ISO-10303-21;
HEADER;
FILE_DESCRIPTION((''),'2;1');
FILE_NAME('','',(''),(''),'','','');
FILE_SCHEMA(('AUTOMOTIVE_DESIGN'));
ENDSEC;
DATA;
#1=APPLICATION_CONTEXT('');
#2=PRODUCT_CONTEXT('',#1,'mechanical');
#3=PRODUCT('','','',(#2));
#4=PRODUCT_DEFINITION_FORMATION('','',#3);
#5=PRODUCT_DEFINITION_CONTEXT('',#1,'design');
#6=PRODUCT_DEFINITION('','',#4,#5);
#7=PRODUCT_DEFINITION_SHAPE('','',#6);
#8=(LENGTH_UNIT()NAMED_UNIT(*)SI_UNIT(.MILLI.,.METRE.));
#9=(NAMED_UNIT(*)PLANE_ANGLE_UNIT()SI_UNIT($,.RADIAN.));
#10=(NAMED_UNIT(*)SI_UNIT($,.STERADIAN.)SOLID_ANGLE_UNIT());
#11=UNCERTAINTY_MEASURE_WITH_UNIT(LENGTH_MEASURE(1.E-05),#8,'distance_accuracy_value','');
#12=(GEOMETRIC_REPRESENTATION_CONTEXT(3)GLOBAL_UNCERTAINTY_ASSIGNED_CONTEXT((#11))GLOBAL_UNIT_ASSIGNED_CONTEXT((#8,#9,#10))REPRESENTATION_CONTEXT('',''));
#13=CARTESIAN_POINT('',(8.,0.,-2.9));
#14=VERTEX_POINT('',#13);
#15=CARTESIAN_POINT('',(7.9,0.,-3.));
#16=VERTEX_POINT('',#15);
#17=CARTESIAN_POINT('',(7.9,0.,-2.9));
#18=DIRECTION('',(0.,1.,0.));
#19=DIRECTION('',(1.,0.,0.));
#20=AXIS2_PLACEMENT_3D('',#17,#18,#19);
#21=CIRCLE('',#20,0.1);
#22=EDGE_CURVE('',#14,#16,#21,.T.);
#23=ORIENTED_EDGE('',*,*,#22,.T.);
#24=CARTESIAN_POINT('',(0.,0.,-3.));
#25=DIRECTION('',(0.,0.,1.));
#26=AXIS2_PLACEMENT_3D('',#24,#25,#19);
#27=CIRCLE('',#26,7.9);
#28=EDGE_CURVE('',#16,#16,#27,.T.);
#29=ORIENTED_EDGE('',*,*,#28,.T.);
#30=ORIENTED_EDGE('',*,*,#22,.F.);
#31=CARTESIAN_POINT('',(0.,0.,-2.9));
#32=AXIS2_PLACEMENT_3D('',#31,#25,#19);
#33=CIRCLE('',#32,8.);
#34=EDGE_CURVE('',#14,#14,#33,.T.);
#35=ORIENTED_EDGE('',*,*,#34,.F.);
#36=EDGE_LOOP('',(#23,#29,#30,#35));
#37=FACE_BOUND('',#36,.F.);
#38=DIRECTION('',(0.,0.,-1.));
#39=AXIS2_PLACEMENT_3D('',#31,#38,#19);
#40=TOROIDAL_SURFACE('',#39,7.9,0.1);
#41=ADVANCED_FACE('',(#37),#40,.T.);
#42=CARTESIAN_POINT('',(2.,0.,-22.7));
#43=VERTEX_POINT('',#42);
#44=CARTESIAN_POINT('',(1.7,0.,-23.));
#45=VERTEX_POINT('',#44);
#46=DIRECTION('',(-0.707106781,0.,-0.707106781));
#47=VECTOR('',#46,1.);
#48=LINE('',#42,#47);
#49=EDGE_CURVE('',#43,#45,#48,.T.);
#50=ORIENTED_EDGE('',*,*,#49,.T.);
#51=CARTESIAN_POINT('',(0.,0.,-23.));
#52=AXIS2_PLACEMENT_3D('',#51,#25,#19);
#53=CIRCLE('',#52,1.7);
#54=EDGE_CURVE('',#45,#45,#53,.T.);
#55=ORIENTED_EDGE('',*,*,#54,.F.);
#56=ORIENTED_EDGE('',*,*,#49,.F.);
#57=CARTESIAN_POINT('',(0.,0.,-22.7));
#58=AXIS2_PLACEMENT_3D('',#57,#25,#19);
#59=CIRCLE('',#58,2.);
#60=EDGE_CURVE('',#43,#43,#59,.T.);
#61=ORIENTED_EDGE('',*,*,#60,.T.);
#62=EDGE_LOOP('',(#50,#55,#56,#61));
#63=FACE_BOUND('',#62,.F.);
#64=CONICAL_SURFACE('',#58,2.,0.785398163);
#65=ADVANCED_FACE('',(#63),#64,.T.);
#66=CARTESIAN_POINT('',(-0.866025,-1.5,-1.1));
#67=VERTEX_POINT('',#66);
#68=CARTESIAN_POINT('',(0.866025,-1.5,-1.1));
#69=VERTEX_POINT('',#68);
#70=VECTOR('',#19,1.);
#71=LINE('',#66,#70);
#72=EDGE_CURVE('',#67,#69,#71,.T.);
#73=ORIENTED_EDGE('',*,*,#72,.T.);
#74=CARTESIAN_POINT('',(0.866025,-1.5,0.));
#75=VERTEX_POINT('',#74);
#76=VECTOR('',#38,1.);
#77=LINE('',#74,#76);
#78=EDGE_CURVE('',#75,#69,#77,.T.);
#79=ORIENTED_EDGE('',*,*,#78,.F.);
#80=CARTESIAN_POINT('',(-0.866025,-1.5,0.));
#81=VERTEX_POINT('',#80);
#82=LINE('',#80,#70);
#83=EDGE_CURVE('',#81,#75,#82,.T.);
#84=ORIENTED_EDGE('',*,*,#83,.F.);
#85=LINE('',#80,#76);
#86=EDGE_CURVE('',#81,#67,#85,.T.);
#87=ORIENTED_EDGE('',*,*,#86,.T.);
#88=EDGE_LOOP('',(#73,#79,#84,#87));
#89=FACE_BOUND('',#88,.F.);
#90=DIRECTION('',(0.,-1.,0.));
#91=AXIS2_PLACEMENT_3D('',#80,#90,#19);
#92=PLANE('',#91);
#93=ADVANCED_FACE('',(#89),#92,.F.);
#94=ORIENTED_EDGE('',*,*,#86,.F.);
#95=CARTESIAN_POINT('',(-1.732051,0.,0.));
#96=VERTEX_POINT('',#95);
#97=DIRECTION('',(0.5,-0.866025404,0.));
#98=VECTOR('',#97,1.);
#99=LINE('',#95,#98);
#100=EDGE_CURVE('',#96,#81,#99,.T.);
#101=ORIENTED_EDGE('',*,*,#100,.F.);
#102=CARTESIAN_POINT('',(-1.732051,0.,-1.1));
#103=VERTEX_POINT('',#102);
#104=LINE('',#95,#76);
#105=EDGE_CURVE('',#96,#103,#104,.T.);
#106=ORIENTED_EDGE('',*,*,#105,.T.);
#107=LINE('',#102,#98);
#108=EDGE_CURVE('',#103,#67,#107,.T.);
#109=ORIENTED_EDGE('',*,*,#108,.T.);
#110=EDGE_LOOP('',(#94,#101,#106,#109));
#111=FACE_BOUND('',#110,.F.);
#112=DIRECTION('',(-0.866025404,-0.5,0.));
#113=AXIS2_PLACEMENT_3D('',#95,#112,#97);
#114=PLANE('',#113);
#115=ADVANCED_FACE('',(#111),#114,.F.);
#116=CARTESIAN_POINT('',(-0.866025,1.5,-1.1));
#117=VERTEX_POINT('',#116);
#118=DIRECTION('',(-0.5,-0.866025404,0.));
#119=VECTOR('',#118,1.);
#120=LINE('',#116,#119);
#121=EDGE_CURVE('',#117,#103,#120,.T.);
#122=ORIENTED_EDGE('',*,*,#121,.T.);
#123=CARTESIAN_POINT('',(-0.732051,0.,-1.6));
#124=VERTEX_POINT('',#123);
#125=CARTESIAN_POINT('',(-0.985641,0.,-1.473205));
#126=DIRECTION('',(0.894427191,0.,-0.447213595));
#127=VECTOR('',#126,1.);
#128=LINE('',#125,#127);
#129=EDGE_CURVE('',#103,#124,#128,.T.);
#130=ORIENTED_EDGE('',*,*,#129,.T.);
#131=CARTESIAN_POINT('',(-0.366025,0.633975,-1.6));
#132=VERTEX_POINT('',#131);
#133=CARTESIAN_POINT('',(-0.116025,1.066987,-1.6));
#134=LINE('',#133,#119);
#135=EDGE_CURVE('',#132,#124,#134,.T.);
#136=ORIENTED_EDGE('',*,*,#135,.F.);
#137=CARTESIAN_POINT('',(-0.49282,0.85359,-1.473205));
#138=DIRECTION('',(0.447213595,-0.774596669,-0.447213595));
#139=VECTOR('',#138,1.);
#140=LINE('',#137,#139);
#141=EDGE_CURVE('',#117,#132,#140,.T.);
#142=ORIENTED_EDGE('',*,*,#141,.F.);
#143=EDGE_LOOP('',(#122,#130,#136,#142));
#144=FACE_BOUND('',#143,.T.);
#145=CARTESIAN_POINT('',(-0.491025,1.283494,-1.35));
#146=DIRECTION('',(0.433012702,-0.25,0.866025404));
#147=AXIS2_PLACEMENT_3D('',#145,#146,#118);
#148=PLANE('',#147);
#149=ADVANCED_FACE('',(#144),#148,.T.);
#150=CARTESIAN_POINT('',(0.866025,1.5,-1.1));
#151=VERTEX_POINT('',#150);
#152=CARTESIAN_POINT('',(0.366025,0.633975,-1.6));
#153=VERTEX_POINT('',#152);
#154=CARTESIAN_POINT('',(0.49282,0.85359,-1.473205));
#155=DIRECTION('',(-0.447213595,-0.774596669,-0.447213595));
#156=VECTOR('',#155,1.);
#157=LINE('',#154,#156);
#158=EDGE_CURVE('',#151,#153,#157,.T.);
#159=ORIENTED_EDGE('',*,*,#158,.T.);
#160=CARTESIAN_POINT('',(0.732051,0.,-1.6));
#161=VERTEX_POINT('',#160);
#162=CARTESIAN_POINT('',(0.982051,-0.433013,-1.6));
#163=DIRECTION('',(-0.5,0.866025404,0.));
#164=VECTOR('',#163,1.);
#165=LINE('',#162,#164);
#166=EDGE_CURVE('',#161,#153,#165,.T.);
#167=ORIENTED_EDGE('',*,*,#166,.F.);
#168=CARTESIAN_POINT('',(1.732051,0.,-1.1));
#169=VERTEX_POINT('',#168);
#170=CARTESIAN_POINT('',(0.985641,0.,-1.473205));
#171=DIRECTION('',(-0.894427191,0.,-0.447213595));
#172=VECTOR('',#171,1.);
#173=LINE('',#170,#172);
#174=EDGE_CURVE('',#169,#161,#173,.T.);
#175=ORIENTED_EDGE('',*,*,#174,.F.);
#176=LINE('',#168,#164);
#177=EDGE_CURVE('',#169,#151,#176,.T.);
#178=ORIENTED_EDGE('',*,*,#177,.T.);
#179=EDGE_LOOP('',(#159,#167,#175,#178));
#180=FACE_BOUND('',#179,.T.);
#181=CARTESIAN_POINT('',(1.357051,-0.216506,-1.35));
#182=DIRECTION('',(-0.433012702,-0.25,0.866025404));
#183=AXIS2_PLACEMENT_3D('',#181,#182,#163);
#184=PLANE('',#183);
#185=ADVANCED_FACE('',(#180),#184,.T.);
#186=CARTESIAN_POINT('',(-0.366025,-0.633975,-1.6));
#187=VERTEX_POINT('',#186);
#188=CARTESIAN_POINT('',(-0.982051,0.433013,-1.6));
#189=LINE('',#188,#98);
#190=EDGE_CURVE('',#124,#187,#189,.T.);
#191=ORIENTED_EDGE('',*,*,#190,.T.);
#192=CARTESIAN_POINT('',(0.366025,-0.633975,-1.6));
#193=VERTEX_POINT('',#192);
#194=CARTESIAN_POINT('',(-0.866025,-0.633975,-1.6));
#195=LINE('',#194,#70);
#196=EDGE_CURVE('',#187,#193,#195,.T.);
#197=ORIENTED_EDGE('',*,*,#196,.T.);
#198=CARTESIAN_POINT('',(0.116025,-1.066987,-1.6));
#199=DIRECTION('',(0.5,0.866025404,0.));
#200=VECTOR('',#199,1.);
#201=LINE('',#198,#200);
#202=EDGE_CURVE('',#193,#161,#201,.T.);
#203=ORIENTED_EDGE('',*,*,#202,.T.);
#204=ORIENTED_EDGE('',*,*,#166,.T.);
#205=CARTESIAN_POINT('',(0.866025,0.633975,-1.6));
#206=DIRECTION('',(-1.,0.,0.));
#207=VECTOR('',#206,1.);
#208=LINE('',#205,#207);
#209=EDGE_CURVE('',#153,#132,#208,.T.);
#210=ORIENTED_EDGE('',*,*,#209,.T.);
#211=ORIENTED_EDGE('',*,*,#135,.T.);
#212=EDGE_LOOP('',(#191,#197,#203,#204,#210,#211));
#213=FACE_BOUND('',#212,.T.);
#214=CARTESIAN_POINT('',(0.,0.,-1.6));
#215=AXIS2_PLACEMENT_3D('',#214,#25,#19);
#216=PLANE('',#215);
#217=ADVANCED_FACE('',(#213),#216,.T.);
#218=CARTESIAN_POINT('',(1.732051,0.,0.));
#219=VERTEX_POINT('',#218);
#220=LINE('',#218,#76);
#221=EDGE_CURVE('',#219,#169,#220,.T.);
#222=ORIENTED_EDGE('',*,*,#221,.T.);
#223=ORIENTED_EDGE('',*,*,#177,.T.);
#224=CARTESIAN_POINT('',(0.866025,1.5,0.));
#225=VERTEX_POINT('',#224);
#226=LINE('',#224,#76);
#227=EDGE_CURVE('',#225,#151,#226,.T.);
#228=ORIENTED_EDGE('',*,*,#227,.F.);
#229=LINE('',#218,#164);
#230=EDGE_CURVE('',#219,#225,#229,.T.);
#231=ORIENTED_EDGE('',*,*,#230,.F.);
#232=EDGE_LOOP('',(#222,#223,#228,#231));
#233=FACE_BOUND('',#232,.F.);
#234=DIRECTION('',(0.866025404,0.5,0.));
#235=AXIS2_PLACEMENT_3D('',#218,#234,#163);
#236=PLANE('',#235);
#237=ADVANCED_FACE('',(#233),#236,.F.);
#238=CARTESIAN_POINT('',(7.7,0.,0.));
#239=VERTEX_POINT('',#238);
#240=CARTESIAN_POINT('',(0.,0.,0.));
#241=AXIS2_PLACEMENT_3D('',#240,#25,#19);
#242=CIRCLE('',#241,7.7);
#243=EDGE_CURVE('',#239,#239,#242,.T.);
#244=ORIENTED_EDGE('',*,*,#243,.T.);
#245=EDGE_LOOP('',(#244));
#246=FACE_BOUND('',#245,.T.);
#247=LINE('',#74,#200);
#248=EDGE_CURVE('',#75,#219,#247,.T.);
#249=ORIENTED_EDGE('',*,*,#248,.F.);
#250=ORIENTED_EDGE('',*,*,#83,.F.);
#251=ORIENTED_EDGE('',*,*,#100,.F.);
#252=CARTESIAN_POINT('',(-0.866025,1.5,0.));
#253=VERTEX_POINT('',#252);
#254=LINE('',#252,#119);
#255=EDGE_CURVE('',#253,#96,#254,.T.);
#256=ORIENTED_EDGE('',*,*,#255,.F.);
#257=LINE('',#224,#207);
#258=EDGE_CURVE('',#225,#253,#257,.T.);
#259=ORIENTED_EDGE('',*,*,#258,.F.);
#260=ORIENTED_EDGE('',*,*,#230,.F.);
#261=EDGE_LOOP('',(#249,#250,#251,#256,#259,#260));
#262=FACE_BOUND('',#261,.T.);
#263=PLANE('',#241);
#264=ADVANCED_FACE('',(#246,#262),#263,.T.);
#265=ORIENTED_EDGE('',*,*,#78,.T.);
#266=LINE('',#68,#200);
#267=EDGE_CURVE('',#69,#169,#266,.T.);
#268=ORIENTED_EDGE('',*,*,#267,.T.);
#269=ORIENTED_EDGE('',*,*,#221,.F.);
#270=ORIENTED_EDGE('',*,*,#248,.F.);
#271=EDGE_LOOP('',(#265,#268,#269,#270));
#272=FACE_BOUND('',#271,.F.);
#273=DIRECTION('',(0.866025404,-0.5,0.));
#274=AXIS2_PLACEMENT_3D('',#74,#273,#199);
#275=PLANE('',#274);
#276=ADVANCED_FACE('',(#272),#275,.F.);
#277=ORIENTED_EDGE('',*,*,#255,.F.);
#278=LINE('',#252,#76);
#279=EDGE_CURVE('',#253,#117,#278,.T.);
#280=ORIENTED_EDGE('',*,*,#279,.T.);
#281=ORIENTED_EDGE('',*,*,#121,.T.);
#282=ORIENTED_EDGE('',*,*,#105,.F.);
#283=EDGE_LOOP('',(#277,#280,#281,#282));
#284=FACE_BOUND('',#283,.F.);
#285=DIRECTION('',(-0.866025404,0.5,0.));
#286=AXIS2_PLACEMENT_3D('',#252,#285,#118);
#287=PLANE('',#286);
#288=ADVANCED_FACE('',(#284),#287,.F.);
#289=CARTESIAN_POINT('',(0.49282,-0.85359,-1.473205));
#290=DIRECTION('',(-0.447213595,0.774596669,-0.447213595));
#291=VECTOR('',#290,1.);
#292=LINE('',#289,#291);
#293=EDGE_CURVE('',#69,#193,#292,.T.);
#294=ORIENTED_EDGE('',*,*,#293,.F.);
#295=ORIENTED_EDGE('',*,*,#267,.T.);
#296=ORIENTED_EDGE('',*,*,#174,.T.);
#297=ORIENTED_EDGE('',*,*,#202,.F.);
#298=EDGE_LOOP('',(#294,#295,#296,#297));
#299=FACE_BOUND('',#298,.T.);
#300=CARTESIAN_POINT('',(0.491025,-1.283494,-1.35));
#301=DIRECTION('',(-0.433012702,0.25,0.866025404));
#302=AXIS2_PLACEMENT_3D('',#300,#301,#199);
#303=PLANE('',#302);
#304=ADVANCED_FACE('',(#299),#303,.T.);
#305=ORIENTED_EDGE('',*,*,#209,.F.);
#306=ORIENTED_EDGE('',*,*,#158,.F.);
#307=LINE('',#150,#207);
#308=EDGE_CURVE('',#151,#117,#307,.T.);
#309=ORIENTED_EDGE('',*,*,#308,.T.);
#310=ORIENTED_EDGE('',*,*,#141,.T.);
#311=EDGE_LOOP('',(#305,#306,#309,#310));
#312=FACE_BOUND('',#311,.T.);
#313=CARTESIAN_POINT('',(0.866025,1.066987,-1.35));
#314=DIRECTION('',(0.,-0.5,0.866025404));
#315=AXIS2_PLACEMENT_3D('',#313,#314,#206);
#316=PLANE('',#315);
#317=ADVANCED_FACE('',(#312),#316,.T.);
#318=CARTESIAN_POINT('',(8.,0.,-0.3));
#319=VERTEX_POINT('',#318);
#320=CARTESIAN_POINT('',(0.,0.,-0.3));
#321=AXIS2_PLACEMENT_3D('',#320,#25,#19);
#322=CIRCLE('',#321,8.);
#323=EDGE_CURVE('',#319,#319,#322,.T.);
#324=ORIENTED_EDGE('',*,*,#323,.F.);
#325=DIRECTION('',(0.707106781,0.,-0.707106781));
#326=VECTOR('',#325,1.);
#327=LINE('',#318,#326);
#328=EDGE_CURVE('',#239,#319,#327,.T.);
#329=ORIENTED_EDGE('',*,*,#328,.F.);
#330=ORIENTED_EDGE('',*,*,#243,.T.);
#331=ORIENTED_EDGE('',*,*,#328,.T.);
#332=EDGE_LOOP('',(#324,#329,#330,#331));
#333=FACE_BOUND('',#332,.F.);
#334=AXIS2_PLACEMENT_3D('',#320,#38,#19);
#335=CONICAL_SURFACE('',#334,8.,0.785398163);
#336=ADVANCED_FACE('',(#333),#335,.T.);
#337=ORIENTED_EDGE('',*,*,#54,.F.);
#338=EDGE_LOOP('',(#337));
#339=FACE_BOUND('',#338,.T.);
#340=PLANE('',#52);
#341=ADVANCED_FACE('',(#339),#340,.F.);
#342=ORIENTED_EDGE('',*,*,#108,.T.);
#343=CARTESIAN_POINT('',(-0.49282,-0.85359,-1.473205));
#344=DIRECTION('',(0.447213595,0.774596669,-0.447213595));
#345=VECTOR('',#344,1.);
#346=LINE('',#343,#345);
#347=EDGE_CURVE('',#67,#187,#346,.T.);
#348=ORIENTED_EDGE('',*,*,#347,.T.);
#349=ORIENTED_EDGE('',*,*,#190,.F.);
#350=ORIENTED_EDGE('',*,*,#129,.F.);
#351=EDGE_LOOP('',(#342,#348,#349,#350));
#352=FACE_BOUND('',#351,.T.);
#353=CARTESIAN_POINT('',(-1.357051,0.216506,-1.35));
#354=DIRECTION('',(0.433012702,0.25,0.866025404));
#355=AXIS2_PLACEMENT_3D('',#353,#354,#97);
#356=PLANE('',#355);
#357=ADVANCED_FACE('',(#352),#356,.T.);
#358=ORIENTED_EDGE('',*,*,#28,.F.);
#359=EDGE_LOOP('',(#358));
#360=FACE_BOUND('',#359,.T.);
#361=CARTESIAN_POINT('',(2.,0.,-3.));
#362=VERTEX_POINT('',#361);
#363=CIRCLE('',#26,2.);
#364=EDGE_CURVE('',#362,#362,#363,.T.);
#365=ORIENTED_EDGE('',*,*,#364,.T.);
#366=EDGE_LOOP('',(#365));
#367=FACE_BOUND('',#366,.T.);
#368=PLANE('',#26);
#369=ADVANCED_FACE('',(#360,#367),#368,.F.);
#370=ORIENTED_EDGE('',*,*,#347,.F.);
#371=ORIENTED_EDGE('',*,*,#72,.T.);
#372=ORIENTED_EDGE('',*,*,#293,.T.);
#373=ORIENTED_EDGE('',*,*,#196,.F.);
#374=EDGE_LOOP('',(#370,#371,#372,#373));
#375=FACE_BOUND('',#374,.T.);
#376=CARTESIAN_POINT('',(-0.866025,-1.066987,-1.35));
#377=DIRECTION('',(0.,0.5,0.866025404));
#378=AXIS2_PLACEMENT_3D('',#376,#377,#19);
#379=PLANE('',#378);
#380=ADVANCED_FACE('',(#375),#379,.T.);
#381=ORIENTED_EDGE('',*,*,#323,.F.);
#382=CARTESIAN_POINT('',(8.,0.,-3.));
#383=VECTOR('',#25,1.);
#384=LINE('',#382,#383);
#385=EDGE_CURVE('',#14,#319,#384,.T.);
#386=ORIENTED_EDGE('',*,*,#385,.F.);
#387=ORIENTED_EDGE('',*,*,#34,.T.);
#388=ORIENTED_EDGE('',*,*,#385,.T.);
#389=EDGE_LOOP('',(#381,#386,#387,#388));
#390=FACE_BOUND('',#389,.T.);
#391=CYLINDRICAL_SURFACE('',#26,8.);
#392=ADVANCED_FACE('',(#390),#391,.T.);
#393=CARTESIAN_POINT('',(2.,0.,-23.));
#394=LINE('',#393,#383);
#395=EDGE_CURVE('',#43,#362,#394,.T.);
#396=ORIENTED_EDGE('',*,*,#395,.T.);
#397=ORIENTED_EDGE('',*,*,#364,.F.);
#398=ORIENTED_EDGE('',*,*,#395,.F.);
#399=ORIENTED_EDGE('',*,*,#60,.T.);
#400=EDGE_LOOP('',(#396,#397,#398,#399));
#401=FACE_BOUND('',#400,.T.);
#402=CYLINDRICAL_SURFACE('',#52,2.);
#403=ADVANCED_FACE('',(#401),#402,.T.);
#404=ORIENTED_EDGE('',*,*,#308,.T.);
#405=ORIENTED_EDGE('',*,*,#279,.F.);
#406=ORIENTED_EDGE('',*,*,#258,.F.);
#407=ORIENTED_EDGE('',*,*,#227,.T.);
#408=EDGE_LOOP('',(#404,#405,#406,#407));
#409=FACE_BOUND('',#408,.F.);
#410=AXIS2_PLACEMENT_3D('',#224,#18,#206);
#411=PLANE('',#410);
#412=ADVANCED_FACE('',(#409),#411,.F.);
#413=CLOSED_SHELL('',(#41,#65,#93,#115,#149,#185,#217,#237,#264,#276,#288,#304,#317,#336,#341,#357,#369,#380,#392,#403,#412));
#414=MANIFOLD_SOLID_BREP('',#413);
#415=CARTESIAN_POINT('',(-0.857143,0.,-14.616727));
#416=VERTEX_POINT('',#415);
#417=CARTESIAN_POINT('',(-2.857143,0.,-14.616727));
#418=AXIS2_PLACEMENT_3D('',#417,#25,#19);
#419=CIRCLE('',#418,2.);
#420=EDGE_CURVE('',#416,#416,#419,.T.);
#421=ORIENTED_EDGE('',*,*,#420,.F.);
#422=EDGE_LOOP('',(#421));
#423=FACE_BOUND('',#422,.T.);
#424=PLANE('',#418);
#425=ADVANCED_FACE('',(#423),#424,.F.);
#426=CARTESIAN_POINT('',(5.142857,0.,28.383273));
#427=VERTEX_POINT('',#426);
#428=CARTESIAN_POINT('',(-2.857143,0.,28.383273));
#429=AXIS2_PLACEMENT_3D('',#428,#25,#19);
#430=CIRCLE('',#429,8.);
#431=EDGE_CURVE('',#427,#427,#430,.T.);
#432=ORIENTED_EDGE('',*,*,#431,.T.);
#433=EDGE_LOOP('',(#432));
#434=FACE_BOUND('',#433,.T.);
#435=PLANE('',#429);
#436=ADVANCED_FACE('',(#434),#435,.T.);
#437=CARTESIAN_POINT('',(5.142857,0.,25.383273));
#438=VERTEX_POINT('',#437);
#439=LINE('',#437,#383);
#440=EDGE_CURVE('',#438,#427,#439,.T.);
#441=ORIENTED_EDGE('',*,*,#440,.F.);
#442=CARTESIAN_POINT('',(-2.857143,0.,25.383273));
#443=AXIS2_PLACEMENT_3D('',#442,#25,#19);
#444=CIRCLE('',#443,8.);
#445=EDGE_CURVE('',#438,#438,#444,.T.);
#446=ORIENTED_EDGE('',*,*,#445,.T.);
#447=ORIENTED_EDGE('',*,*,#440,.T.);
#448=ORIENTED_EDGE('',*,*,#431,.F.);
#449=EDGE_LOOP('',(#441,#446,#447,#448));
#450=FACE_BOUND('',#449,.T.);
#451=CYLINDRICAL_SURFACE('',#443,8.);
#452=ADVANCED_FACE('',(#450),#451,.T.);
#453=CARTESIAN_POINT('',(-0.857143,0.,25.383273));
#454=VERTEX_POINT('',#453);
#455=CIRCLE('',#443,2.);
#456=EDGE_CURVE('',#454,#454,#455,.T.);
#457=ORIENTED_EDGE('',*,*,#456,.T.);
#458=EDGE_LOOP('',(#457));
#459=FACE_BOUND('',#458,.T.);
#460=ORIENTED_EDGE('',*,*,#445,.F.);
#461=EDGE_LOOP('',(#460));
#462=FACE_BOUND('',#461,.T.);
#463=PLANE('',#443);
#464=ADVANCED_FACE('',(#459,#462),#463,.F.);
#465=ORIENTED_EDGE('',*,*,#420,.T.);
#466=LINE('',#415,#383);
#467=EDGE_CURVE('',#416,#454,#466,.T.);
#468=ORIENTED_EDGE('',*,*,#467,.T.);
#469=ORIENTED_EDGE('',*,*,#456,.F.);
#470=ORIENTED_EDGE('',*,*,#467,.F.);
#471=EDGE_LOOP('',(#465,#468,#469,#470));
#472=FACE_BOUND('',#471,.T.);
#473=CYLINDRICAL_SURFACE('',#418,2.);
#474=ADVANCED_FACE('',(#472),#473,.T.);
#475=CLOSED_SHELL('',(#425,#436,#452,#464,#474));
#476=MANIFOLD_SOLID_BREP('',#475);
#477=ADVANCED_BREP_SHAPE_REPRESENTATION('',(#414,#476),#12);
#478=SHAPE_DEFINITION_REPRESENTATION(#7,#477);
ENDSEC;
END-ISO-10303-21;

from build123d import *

# Parameters (mm, degrees)
F3_DEPTH = 1.6
F4_SIZE2 = 0.8660254038
F4_SIZE  = 0.5
F5_SIZE  = 0.3
F6_R     = 0.1


with BuildPart() as f1:
    # F0 (on Front) → F1 (revolve)
    with BuildSketch(Plane.XZ):
        Polygon((8, 0), (0, 0), (0, -23), (2, -23), (2, -3), (8, -3), align=None)
    revolve(axis=Axis((0, 0, -11.5), (0, 0, 1)))

    # F2 (on face) → F3 (cut)
    with BuildSketch(Plane.XY):
        Polygon((0.8660254038, 1.5), (-0.8660254038, 1.5), (-1.7320508076, 0), (-0.8660254038, -1.5), (0.8660254038, -1.5), (1.7320508076, 0), align=None)
    extrude(amount=-F3_DEPTH, mode=Mode.SUBTRACT)

    # F4
    f4_edges = [f1.edges().sort_by_distance(p)[0] for p in [
        (0, 1.5, -1.6),
        (-1.299038, 0.75, -1.6),
        (-1.299038, -0.75, -1.6),
        (0, -1.5, -1.6),
        (1.299038, -0.75, -1.6),
        (1.299038, 0.75, -1.6),
    ]]
    chamfer(f4_edges, length=F4_SIZE, length2=F4_SIZE2)

    # F5
    f5_edges = [f1.edges().sort_by_distance(p)[0] for p in [
        (-8, 0, 0),
        (-2, 0, -23),
    ]]
    chamfer(f5_edges, length=F5_SIZE)

    # F6
    f6_edges = [f1.edges().sort_by_distance(p)[0] for p in [
        (-8, 0, -3),
    ]]
    fillet(f6_edges, radius=F6_R)


with BuildPart() as f7_1:
    # F7: copy of F1
    add(f1.part)


with BuildPart() as f10:
    # F9 (on Front) → F10 (revolve)
    with BuildSketch(Plane.XZ):
        Polygon((5.1428571429, 28.3832729334), (-2.8571428571, 28.3832729334), (-2.8571428571, -14.6167270666), (-0.8571428571, -14.6167270666), (-0.8571428571, 25.3832729334), (5.1428571429, 25.3832729334), align=None)
    revolve(axis=Axis((-2.8571428571, 0, 6.8832729334), (0, 0, 1)))


solid = Compound([f1.part, f10.part])
